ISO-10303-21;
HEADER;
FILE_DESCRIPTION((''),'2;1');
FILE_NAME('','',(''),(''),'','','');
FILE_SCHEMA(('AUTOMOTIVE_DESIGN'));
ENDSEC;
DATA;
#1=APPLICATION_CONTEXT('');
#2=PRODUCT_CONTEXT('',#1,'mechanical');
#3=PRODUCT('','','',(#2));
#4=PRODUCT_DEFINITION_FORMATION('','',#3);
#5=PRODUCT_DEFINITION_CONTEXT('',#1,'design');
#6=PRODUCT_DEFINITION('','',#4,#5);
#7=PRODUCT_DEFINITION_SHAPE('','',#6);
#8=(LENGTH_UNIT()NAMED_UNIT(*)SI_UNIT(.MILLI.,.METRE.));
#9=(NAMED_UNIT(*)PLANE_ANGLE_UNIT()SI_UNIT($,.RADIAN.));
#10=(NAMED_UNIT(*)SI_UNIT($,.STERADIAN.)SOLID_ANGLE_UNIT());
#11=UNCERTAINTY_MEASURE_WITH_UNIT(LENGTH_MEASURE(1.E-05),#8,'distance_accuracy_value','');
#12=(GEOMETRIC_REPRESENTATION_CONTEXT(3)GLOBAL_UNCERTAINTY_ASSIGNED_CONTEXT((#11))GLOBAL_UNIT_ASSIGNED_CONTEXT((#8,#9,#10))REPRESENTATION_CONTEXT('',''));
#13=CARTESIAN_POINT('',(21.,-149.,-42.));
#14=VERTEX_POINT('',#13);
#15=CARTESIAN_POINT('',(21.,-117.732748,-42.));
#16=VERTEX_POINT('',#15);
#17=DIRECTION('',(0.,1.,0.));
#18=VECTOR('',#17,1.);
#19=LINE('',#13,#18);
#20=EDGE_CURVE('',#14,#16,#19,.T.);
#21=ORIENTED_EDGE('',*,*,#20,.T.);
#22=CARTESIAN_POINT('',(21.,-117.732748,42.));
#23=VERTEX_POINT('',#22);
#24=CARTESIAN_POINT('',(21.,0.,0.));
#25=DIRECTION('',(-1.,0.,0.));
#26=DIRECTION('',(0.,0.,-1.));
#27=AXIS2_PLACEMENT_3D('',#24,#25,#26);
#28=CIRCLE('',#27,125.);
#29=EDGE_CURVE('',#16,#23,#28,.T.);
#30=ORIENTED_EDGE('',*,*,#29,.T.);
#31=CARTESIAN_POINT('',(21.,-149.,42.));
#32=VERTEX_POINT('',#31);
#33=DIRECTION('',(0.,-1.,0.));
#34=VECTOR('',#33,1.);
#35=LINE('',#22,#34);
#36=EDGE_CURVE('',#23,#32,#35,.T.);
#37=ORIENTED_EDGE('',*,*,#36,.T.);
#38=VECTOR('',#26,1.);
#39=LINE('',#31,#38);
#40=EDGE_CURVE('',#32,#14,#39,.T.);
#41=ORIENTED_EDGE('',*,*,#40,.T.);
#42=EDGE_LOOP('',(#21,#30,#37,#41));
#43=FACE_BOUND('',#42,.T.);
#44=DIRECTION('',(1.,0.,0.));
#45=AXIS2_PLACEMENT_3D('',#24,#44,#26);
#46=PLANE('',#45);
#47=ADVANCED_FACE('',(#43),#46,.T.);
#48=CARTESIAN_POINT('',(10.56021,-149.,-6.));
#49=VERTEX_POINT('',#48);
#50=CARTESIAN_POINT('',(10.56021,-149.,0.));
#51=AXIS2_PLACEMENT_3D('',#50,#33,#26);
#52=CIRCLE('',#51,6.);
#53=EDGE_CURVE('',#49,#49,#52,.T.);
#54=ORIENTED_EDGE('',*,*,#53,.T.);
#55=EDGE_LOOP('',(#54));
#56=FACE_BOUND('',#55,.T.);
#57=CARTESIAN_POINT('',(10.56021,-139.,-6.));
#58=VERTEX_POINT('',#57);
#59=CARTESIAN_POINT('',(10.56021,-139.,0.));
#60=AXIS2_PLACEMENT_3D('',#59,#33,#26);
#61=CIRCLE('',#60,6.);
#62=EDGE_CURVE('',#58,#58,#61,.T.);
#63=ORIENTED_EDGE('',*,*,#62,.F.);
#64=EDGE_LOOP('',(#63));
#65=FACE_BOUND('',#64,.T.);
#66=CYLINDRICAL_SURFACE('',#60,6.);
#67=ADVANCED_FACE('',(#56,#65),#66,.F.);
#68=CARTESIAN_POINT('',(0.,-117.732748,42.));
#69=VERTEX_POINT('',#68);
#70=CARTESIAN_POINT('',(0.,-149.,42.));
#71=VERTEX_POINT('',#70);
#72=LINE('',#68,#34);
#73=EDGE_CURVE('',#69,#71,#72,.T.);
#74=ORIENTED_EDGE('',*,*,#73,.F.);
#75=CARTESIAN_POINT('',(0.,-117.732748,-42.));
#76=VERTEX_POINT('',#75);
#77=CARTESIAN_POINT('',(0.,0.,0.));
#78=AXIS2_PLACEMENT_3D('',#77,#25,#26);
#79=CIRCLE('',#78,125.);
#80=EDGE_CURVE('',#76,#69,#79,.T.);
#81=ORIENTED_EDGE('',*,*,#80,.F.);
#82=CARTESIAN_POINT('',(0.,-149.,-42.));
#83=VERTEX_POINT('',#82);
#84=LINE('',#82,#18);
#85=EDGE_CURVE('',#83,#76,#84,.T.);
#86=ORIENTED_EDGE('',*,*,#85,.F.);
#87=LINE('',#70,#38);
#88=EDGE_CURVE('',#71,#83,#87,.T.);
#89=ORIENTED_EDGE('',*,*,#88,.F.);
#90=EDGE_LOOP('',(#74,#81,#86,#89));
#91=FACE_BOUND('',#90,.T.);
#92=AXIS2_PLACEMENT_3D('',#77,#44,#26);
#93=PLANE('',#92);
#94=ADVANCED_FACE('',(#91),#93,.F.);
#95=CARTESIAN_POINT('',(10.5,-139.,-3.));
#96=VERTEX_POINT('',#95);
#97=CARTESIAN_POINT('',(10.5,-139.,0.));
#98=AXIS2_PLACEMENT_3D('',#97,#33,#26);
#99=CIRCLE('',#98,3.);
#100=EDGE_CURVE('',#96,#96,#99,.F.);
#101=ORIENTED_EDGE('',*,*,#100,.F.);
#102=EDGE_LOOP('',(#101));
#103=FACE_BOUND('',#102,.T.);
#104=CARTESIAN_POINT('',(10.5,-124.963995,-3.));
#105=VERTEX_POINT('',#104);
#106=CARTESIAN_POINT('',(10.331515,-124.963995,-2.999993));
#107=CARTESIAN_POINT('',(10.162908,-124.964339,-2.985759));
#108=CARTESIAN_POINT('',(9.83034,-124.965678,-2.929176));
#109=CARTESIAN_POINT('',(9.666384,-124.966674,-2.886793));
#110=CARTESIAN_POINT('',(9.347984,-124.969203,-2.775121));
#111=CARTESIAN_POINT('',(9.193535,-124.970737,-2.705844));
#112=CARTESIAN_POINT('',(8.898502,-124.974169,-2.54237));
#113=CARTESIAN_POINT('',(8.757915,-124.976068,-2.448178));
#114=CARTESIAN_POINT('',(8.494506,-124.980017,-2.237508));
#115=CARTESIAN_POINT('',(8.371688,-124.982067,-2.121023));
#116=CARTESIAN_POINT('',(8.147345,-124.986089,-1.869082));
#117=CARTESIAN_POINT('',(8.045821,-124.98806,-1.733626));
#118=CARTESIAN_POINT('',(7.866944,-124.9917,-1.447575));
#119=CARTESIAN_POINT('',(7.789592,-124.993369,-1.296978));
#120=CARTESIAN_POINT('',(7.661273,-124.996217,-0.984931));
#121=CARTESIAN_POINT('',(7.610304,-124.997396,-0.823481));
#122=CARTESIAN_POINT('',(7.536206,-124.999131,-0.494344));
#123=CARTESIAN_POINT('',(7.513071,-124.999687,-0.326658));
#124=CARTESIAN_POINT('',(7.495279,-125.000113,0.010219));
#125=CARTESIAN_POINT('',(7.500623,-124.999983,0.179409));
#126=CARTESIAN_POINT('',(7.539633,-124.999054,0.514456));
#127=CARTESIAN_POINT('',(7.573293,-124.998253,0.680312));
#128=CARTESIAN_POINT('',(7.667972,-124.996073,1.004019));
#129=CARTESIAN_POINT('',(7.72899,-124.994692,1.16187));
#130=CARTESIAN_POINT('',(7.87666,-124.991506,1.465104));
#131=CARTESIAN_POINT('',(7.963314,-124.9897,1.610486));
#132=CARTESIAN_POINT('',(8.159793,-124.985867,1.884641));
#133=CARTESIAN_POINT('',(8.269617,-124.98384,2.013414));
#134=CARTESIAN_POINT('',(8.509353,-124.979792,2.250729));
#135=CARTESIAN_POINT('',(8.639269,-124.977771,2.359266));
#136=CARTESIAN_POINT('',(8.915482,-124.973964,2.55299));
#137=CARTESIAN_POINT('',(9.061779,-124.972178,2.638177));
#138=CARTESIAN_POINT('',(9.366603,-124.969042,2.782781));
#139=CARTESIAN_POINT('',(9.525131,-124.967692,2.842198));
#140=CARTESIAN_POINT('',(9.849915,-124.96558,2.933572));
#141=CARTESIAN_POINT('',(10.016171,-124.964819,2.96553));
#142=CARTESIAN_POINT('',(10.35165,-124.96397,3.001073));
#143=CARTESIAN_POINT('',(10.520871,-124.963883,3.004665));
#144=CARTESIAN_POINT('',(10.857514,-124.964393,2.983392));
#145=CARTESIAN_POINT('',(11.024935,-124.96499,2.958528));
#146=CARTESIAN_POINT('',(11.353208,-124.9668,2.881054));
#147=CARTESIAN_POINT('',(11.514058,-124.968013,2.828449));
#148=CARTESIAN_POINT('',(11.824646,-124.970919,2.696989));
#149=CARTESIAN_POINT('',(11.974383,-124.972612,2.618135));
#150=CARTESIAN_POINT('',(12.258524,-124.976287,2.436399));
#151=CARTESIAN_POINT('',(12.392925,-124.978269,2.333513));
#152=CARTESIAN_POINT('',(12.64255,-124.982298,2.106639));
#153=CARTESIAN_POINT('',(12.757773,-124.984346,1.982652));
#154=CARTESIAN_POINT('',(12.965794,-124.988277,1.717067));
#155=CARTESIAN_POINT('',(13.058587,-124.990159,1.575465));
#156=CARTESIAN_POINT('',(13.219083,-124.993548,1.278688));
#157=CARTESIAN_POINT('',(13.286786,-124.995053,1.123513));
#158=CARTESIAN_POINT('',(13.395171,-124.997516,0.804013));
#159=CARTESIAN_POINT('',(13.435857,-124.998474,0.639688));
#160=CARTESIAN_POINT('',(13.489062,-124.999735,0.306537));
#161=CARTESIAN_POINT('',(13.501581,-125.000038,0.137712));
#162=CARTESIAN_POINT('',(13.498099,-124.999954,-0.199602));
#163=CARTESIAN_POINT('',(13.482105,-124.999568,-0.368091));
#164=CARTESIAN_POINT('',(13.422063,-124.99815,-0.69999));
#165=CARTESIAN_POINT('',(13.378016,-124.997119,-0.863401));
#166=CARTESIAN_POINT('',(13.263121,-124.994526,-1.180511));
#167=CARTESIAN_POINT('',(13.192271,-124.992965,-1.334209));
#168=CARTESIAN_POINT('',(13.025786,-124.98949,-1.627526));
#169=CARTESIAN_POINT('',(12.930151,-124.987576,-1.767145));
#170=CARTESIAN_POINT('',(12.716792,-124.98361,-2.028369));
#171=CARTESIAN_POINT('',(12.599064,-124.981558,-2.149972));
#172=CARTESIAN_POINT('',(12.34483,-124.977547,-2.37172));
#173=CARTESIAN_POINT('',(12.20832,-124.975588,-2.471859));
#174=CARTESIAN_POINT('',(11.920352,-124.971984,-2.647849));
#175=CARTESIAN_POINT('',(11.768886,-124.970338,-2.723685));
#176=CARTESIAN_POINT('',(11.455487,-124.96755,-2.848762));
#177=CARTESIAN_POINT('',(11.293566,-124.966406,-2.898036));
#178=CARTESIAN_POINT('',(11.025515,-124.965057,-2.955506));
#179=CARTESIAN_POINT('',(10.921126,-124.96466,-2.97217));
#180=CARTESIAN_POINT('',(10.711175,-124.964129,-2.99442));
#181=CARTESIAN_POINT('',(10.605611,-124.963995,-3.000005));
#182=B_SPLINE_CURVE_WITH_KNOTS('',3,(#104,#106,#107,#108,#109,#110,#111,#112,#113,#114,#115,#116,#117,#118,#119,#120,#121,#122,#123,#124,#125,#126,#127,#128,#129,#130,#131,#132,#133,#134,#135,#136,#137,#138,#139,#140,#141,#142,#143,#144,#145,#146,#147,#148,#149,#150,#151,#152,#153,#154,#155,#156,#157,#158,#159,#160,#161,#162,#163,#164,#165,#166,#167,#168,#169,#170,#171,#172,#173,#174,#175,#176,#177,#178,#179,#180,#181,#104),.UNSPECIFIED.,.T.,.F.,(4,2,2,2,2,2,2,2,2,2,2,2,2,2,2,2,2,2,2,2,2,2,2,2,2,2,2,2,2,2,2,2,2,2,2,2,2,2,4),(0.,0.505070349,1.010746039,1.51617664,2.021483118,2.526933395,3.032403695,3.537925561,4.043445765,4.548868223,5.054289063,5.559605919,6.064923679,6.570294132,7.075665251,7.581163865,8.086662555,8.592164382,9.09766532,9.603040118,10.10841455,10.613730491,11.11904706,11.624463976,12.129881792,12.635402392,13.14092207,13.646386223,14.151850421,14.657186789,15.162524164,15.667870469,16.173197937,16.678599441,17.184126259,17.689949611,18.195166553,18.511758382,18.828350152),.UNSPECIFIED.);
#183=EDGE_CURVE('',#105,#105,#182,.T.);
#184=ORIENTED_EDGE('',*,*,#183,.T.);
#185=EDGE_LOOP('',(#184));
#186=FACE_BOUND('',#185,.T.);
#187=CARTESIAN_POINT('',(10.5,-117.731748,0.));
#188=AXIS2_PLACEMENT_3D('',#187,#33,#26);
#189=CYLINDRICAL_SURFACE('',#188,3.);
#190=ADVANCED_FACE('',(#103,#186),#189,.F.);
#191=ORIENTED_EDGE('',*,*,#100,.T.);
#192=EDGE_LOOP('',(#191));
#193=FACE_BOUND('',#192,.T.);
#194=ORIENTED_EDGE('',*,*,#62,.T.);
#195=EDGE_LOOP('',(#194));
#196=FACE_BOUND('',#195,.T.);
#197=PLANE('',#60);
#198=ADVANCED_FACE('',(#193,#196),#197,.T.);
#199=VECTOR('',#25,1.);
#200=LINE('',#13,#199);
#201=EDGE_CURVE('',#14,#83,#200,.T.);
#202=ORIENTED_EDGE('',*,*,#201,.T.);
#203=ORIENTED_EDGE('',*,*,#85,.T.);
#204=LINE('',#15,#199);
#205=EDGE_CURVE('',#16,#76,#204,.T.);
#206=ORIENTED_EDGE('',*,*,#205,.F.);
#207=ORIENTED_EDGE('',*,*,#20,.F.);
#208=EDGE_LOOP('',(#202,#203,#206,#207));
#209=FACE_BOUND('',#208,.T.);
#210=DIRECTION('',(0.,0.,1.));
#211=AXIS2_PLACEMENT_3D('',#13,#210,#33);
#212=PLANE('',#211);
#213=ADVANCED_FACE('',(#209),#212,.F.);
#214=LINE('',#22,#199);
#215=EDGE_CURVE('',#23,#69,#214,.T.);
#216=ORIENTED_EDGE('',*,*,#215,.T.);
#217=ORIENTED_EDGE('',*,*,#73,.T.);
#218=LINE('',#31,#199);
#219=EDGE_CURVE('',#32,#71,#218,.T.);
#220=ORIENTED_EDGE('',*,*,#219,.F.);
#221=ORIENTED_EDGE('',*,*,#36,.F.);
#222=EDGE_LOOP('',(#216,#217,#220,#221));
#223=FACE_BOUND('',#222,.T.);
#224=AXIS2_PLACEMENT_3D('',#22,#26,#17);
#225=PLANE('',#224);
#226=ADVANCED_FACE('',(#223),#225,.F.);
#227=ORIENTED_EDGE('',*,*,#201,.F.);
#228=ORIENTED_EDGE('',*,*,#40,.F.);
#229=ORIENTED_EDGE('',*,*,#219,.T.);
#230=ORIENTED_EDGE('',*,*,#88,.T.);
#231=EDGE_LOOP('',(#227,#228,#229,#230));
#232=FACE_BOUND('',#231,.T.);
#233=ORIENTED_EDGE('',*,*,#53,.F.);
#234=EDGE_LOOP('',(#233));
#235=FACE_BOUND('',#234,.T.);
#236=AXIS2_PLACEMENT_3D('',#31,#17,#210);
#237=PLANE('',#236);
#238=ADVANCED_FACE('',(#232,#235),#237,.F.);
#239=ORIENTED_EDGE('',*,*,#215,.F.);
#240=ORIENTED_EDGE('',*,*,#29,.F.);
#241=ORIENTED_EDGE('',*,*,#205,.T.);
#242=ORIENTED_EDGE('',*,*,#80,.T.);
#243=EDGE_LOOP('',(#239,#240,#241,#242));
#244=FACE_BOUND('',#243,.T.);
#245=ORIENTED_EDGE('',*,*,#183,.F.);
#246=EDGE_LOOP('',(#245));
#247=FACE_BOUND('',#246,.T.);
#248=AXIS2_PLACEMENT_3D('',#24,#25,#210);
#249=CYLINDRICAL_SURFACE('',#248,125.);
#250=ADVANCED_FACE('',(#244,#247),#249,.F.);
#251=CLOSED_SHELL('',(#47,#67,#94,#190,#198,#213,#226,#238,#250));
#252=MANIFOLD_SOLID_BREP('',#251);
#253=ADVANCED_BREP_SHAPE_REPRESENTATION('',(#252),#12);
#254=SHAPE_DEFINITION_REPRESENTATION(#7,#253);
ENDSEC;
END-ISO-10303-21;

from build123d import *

# Parameters (mm, degrees)
BOSS_EXTRU_1_DEPTH      = 21
ENL_V_MAT_EXTRU_1_REACH = 33.267
ESQUISSE2_R             = 3
ESQUISSE3_R             = 6
ENL_V_MAT_EXTRU_2_DEPTH = 10


with BuildPart() as part:
    # Esquisse1 → Boss.-Extru.1 (new body)
    with BuildSketch(Plane(origin=(0, 0, 0), x_dir=(0, 0, -1), z_dir=(1, 0, 0))):
        with BuildLine():
            Line((-42, -117.732748205), (-42, -149))
            Line((-42, -149), (42, -149))
            Line((42, -149), (42, -117.732748205))
            ThreePointArc((42, -117.732748205), (0, -125), (-42, -117.732748205))
        make_face()
    extrude(amount=BOSS_EXTRU_1_DEPTH)

    # Esquisse2 → Enlèv. mat.-Extru.1 (cut, up to next)
    with BuildSketch(Plane.XZ.offset(149), mode=Mode.PRIVATE) as enl_v_mat_extru_1_sk1:
        with Locations((10.5, 0)):
            Circle(ESQUISSE2_R)
    enl_v_mat_extru_1_tool1 = extrude(enl_v_mat_extru_1_sk1.sketch, amount=-ENL_V_MAT_EXTRU_1_REACH, mode=Mode.PRIVATE) & part.part
    add(enl_v_mat_extru_1_tool1.solids().sort_by_distance((10.5, -149, 0))[0], mode=Mode.SUBTRACT)

    # Esquisse3 → Enlèv. mat.-Extru.2 (cut)
    with BuildSketch(Plane.XZ.offset(149)):
        with Locations((10.560210211, 0)):
            Circle(ESQUISSE3_R)
    extrude(amount=-ENL_V_MAT_EXTRU_2_DEPTH, mode=Mode.SUBTRACT)


solid = part.part
